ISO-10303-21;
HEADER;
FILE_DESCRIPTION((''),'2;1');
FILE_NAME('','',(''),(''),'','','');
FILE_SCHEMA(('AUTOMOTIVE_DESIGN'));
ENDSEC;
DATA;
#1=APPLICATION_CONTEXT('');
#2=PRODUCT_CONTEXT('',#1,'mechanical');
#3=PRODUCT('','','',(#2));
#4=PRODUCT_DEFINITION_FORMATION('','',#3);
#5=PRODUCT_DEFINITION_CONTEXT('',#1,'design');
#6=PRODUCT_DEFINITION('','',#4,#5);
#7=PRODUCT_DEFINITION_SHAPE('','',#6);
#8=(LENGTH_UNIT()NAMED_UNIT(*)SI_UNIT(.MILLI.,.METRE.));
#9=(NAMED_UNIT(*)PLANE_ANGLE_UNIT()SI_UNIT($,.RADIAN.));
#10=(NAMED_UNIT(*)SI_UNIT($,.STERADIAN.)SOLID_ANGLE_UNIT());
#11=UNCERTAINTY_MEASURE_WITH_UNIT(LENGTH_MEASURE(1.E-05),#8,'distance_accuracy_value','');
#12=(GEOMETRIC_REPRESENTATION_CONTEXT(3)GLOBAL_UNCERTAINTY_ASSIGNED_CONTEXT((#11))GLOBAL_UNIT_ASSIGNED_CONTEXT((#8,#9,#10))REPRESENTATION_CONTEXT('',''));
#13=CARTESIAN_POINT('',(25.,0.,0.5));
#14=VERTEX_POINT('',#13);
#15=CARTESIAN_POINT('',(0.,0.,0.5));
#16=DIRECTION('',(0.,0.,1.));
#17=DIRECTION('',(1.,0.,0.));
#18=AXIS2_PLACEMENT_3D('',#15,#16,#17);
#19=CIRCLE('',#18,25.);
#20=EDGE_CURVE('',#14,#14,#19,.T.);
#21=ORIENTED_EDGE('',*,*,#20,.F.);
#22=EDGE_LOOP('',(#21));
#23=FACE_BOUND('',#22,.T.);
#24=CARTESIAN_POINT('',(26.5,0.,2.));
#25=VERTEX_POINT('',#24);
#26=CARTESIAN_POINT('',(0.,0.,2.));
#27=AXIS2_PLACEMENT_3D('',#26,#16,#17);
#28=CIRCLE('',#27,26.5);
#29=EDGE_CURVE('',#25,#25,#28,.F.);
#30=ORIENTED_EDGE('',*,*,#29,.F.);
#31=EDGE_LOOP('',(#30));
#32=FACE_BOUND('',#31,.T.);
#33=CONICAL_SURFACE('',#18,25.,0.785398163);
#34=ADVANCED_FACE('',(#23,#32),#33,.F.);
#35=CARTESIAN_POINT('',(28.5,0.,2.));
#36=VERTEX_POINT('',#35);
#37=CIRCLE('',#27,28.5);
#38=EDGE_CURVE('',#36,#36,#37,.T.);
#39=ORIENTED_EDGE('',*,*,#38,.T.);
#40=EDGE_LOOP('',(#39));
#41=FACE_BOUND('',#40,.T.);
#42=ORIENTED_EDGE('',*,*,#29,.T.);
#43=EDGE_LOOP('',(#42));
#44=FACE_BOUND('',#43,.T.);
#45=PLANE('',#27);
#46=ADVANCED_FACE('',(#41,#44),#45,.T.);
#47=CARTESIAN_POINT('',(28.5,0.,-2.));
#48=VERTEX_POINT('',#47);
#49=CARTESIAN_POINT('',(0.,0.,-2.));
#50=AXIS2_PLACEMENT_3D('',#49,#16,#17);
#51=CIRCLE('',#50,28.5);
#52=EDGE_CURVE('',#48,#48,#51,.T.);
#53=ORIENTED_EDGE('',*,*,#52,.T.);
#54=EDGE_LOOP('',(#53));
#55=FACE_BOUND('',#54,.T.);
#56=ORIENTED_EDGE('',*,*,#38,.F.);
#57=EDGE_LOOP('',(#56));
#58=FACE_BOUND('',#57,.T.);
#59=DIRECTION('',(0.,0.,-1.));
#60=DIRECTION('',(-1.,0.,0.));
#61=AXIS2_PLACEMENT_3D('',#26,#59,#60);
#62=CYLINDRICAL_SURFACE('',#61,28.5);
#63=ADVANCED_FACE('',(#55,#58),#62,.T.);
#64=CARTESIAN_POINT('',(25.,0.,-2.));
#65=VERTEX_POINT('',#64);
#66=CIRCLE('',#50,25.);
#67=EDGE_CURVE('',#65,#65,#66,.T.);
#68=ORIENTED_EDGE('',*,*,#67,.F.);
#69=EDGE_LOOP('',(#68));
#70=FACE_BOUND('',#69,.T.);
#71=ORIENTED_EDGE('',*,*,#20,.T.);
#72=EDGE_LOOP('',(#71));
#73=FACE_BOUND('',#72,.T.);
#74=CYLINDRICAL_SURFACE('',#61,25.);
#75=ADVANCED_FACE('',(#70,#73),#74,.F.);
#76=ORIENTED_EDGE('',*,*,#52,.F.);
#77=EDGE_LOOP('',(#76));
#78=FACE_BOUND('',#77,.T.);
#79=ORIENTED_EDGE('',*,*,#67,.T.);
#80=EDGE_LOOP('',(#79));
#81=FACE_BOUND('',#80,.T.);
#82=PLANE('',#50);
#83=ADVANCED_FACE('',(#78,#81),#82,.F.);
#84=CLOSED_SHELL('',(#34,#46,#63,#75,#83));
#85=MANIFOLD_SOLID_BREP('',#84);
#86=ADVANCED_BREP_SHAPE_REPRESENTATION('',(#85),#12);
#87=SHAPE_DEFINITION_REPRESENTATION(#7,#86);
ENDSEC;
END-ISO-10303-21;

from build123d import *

# Parameters (mm, degrees)
SZKIC2_R                    = 28.5
SZKIC2_R_2                  = 25
DODANIE_WYCI_GNI_CIE2_DEPTH = 2
SFAZOWANIE1_SIZE            = 1.5


with BuildPart() as part:
    # Szkic2 → Dodanie-wyciągnięcie2 (new, symmetric)
    with BuildSketch(Plane.XY):
        Circle(SZKIC2_R)
        Circle(SZKIC2_R_2, mode=Mode.SUBTRACT)
    extrude(amount=DODANIE_WYCI_GNI_CIE2_DEPTH, both=True)

    # Sfazowanie1
    sfazowanie1_edges = [part.edges().sort_by_distance(p)[0] for p in [
        (-25, 0, 2),
    ]]
    chamfer(sfazowanie1_edges, length=SFAZOWANIE1_SIZE)


solid = part.part
